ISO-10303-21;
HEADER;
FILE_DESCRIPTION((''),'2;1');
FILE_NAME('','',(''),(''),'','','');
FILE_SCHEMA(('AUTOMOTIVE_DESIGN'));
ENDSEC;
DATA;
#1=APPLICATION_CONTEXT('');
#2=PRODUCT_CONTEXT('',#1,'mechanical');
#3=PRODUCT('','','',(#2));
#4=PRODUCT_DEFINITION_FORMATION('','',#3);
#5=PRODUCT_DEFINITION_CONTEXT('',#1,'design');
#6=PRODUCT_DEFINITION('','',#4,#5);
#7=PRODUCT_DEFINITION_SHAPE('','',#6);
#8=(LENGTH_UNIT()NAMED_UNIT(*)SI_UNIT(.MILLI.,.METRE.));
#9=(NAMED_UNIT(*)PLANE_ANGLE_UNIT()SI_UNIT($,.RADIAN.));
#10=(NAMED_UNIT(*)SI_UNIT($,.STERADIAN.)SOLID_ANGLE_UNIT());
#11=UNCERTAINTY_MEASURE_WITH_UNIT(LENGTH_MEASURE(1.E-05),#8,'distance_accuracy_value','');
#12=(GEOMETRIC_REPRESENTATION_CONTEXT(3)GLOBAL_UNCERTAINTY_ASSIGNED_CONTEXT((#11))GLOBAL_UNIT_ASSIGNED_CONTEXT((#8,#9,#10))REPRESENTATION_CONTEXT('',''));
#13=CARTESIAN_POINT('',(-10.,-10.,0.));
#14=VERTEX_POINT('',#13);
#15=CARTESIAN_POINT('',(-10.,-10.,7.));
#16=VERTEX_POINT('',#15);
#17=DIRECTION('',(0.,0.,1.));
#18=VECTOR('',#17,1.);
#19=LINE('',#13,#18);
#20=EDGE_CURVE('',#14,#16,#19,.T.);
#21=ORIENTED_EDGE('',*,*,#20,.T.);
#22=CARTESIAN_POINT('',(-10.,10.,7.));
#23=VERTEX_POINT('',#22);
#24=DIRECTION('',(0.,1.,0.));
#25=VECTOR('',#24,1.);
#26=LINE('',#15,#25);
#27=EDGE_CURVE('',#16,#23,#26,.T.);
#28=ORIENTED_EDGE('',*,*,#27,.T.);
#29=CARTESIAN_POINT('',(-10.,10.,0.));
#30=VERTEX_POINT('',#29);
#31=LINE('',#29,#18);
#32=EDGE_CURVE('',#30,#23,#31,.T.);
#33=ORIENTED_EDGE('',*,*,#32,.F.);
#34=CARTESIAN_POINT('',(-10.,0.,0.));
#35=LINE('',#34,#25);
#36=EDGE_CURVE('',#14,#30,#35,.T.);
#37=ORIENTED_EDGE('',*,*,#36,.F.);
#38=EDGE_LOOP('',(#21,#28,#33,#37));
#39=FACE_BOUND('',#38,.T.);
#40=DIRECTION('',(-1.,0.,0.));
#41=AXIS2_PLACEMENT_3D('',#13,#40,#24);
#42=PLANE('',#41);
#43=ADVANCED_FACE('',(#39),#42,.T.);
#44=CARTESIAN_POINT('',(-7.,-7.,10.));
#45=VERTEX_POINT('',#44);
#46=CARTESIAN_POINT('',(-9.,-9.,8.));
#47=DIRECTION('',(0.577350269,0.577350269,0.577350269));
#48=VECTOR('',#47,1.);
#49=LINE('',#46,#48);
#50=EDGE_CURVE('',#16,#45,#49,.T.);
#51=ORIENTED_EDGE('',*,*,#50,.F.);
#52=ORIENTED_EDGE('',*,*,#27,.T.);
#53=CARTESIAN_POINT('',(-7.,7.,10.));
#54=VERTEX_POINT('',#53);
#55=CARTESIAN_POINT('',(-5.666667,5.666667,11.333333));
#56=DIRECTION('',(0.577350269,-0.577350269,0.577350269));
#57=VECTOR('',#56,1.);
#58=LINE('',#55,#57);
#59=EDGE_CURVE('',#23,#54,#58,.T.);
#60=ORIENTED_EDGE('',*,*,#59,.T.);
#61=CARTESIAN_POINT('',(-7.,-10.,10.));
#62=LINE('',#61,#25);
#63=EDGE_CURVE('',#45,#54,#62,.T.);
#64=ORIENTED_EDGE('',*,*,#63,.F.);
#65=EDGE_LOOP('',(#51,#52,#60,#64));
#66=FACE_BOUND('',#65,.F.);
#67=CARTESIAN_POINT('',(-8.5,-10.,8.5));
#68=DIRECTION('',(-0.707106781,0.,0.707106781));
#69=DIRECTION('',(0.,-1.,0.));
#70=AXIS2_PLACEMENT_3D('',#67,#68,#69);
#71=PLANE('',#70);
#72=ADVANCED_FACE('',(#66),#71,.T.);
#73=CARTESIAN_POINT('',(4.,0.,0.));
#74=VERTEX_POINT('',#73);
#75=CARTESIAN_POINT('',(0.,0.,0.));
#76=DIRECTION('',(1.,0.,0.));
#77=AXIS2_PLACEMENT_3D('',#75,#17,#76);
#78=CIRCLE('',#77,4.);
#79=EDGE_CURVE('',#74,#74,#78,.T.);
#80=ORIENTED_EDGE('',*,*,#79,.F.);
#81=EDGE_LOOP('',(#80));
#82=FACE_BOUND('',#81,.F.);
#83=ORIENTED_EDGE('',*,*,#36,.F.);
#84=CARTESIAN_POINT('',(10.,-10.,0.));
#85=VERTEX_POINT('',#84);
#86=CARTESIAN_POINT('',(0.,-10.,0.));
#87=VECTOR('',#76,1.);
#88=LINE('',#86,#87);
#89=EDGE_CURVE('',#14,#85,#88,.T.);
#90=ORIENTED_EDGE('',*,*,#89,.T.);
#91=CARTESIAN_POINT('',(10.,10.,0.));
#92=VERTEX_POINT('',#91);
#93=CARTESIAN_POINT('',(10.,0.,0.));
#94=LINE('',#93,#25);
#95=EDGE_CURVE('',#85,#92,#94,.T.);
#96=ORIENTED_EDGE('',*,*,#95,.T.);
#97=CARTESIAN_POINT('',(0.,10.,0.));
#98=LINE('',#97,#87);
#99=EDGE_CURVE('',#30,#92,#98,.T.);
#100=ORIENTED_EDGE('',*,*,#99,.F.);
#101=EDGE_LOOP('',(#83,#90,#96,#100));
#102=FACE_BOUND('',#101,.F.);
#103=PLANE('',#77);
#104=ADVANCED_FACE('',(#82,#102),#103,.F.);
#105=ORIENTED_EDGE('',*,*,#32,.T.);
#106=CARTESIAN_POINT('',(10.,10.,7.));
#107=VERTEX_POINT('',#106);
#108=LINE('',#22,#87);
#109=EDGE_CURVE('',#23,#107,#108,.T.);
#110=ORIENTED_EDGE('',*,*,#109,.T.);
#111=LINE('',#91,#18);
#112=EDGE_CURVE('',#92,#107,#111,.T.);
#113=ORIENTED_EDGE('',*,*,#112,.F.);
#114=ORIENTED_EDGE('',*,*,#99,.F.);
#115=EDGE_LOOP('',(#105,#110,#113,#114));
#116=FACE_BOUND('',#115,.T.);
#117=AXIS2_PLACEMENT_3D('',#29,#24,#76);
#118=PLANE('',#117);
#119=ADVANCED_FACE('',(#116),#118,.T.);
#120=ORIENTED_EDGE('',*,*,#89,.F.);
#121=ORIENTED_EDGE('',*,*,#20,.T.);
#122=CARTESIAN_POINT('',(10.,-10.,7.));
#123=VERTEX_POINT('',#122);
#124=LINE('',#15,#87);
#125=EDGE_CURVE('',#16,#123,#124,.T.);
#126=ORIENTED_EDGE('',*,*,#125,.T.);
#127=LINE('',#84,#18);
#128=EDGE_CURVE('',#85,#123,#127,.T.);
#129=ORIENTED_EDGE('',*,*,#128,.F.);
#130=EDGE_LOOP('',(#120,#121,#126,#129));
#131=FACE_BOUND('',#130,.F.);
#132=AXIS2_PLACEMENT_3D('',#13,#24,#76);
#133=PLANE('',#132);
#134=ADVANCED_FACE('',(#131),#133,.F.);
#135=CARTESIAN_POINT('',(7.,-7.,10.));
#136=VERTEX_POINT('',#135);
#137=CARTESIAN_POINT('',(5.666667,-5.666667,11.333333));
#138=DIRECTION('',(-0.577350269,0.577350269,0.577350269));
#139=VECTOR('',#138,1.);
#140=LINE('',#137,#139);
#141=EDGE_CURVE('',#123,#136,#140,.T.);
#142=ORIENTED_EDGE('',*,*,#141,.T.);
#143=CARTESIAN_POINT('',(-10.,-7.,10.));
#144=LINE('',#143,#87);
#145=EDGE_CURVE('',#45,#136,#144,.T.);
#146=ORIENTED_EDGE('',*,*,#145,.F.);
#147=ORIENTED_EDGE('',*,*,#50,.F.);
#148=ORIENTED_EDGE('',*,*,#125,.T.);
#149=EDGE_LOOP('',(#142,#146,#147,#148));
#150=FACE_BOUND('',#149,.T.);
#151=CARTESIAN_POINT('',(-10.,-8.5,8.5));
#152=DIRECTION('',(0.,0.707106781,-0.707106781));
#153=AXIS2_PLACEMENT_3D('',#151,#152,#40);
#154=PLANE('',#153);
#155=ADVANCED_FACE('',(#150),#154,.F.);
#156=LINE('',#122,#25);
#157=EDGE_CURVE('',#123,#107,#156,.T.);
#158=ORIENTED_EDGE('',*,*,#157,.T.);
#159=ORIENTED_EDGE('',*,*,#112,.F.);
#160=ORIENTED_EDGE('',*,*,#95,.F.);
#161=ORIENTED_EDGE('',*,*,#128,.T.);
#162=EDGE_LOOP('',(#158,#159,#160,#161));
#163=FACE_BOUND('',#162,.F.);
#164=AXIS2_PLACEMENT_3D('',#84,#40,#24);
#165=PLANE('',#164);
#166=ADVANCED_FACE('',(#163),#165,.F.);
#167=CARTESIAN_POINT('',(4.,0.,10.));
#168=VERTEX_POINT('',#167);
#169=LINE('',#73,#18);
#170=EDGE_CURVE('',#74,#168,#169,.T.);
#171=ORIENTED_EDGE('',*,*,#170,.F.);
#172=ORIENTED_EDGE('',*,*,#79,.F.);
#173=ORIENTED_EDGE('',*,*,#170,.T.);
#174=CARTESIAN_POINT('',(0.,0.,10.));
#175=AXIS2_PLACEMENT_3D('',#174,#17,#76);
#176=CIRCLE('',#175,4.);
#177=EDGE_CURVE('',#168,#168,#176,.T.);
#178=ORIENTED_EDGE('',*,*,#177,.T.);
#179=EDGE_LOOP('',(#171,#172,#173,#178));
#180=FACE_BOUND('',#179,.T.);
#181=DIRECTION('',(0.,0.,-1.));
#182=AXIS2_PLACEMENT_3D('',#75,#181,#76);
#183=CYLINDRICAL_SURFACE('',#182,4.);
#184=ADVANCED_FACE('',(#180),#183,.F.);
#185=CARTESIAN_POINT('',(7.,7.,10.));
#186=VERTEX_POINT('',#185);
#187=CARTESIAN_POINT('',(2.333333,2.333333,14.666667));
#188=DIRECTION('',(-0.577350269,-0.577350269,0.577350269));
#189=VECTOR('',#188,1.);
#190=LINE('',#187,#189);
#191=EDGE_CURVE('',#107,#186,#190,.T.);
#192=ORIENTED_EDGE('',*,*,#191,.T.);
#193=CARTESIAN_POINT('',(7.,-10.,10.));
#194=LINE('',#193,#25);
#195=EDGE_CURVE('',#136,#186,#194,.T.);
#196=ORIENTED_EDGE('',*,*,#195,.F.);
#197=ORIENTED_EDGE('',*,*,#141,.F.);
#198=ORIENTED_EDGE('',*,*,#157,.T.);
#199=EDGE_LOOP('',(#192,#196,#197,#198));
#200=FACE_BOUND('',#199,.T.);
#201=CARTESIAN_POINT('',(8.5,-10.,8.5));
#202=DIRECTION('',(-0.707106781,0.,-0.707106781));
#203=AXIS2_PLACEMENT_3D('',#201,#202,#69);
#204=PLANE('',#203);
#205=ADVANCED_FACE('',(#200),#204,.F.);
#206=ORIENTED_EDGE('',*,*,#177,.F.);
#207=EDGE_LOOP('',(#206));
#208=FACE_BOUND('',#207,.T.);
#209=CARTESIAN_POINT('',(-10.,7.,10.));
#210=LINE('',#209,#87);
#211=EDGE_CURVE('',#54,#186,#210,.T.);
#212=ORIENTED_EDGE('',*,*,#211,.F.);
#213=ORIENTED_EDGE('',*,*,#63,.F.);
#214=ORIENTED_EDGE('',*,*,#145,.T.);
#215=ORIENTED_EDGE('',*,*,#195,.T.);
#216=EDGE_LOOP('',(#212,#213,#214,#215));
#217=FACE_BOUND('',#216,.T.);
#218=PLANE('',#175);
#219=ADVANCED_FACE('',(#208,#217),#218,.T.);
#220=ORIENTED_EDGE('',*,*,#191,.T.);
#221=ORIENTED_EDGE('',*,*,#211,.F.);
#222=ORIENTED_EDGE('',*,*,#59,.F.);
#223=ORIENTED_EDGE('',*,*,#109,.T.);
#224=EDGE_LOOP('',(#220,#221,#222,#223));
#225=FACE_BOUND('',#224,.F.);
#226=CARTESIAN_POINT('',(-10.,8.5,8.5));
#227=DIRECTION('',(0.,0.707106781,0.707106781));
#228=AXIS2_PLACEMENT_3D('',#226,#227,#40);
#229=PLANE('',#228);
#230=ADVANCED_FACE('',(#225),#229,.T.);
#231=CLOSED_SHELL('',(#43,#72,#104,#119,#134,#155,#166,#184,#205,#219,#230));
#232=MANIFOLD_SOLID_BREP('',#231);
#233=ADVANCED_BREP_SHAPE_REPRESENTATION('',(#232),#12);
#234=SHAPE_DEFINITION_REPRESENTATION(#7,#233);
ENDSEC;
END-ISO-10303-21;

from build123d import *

# Parameters (mm, degrees)
F0_W     = 20
F0_H     = 20
F0_R     = 4
F1_DEPTH = 10
F2_SIZE  = 3


with BuildPart() as f1:
    # F0 (on Top) → F1 (new body)
    with BuildSketch(Plane.XY):
        Rectangle(F0_W, F0_H)
        Circle(F0_R, mode=Mode.SUBTRACT)
    extrude(amount=F1_DEPTH)

    # F2
    f2_edges = [f1.edges().sort_by_distance(p)[0] for p in [
        (0, -10, 10),
        (-10, 0, 10),
        (0, 10, 10),
        (10, 0, 10),
    ]]
    chamfer(f2_edges, length=F2_SIZE)


solid = f1.part
